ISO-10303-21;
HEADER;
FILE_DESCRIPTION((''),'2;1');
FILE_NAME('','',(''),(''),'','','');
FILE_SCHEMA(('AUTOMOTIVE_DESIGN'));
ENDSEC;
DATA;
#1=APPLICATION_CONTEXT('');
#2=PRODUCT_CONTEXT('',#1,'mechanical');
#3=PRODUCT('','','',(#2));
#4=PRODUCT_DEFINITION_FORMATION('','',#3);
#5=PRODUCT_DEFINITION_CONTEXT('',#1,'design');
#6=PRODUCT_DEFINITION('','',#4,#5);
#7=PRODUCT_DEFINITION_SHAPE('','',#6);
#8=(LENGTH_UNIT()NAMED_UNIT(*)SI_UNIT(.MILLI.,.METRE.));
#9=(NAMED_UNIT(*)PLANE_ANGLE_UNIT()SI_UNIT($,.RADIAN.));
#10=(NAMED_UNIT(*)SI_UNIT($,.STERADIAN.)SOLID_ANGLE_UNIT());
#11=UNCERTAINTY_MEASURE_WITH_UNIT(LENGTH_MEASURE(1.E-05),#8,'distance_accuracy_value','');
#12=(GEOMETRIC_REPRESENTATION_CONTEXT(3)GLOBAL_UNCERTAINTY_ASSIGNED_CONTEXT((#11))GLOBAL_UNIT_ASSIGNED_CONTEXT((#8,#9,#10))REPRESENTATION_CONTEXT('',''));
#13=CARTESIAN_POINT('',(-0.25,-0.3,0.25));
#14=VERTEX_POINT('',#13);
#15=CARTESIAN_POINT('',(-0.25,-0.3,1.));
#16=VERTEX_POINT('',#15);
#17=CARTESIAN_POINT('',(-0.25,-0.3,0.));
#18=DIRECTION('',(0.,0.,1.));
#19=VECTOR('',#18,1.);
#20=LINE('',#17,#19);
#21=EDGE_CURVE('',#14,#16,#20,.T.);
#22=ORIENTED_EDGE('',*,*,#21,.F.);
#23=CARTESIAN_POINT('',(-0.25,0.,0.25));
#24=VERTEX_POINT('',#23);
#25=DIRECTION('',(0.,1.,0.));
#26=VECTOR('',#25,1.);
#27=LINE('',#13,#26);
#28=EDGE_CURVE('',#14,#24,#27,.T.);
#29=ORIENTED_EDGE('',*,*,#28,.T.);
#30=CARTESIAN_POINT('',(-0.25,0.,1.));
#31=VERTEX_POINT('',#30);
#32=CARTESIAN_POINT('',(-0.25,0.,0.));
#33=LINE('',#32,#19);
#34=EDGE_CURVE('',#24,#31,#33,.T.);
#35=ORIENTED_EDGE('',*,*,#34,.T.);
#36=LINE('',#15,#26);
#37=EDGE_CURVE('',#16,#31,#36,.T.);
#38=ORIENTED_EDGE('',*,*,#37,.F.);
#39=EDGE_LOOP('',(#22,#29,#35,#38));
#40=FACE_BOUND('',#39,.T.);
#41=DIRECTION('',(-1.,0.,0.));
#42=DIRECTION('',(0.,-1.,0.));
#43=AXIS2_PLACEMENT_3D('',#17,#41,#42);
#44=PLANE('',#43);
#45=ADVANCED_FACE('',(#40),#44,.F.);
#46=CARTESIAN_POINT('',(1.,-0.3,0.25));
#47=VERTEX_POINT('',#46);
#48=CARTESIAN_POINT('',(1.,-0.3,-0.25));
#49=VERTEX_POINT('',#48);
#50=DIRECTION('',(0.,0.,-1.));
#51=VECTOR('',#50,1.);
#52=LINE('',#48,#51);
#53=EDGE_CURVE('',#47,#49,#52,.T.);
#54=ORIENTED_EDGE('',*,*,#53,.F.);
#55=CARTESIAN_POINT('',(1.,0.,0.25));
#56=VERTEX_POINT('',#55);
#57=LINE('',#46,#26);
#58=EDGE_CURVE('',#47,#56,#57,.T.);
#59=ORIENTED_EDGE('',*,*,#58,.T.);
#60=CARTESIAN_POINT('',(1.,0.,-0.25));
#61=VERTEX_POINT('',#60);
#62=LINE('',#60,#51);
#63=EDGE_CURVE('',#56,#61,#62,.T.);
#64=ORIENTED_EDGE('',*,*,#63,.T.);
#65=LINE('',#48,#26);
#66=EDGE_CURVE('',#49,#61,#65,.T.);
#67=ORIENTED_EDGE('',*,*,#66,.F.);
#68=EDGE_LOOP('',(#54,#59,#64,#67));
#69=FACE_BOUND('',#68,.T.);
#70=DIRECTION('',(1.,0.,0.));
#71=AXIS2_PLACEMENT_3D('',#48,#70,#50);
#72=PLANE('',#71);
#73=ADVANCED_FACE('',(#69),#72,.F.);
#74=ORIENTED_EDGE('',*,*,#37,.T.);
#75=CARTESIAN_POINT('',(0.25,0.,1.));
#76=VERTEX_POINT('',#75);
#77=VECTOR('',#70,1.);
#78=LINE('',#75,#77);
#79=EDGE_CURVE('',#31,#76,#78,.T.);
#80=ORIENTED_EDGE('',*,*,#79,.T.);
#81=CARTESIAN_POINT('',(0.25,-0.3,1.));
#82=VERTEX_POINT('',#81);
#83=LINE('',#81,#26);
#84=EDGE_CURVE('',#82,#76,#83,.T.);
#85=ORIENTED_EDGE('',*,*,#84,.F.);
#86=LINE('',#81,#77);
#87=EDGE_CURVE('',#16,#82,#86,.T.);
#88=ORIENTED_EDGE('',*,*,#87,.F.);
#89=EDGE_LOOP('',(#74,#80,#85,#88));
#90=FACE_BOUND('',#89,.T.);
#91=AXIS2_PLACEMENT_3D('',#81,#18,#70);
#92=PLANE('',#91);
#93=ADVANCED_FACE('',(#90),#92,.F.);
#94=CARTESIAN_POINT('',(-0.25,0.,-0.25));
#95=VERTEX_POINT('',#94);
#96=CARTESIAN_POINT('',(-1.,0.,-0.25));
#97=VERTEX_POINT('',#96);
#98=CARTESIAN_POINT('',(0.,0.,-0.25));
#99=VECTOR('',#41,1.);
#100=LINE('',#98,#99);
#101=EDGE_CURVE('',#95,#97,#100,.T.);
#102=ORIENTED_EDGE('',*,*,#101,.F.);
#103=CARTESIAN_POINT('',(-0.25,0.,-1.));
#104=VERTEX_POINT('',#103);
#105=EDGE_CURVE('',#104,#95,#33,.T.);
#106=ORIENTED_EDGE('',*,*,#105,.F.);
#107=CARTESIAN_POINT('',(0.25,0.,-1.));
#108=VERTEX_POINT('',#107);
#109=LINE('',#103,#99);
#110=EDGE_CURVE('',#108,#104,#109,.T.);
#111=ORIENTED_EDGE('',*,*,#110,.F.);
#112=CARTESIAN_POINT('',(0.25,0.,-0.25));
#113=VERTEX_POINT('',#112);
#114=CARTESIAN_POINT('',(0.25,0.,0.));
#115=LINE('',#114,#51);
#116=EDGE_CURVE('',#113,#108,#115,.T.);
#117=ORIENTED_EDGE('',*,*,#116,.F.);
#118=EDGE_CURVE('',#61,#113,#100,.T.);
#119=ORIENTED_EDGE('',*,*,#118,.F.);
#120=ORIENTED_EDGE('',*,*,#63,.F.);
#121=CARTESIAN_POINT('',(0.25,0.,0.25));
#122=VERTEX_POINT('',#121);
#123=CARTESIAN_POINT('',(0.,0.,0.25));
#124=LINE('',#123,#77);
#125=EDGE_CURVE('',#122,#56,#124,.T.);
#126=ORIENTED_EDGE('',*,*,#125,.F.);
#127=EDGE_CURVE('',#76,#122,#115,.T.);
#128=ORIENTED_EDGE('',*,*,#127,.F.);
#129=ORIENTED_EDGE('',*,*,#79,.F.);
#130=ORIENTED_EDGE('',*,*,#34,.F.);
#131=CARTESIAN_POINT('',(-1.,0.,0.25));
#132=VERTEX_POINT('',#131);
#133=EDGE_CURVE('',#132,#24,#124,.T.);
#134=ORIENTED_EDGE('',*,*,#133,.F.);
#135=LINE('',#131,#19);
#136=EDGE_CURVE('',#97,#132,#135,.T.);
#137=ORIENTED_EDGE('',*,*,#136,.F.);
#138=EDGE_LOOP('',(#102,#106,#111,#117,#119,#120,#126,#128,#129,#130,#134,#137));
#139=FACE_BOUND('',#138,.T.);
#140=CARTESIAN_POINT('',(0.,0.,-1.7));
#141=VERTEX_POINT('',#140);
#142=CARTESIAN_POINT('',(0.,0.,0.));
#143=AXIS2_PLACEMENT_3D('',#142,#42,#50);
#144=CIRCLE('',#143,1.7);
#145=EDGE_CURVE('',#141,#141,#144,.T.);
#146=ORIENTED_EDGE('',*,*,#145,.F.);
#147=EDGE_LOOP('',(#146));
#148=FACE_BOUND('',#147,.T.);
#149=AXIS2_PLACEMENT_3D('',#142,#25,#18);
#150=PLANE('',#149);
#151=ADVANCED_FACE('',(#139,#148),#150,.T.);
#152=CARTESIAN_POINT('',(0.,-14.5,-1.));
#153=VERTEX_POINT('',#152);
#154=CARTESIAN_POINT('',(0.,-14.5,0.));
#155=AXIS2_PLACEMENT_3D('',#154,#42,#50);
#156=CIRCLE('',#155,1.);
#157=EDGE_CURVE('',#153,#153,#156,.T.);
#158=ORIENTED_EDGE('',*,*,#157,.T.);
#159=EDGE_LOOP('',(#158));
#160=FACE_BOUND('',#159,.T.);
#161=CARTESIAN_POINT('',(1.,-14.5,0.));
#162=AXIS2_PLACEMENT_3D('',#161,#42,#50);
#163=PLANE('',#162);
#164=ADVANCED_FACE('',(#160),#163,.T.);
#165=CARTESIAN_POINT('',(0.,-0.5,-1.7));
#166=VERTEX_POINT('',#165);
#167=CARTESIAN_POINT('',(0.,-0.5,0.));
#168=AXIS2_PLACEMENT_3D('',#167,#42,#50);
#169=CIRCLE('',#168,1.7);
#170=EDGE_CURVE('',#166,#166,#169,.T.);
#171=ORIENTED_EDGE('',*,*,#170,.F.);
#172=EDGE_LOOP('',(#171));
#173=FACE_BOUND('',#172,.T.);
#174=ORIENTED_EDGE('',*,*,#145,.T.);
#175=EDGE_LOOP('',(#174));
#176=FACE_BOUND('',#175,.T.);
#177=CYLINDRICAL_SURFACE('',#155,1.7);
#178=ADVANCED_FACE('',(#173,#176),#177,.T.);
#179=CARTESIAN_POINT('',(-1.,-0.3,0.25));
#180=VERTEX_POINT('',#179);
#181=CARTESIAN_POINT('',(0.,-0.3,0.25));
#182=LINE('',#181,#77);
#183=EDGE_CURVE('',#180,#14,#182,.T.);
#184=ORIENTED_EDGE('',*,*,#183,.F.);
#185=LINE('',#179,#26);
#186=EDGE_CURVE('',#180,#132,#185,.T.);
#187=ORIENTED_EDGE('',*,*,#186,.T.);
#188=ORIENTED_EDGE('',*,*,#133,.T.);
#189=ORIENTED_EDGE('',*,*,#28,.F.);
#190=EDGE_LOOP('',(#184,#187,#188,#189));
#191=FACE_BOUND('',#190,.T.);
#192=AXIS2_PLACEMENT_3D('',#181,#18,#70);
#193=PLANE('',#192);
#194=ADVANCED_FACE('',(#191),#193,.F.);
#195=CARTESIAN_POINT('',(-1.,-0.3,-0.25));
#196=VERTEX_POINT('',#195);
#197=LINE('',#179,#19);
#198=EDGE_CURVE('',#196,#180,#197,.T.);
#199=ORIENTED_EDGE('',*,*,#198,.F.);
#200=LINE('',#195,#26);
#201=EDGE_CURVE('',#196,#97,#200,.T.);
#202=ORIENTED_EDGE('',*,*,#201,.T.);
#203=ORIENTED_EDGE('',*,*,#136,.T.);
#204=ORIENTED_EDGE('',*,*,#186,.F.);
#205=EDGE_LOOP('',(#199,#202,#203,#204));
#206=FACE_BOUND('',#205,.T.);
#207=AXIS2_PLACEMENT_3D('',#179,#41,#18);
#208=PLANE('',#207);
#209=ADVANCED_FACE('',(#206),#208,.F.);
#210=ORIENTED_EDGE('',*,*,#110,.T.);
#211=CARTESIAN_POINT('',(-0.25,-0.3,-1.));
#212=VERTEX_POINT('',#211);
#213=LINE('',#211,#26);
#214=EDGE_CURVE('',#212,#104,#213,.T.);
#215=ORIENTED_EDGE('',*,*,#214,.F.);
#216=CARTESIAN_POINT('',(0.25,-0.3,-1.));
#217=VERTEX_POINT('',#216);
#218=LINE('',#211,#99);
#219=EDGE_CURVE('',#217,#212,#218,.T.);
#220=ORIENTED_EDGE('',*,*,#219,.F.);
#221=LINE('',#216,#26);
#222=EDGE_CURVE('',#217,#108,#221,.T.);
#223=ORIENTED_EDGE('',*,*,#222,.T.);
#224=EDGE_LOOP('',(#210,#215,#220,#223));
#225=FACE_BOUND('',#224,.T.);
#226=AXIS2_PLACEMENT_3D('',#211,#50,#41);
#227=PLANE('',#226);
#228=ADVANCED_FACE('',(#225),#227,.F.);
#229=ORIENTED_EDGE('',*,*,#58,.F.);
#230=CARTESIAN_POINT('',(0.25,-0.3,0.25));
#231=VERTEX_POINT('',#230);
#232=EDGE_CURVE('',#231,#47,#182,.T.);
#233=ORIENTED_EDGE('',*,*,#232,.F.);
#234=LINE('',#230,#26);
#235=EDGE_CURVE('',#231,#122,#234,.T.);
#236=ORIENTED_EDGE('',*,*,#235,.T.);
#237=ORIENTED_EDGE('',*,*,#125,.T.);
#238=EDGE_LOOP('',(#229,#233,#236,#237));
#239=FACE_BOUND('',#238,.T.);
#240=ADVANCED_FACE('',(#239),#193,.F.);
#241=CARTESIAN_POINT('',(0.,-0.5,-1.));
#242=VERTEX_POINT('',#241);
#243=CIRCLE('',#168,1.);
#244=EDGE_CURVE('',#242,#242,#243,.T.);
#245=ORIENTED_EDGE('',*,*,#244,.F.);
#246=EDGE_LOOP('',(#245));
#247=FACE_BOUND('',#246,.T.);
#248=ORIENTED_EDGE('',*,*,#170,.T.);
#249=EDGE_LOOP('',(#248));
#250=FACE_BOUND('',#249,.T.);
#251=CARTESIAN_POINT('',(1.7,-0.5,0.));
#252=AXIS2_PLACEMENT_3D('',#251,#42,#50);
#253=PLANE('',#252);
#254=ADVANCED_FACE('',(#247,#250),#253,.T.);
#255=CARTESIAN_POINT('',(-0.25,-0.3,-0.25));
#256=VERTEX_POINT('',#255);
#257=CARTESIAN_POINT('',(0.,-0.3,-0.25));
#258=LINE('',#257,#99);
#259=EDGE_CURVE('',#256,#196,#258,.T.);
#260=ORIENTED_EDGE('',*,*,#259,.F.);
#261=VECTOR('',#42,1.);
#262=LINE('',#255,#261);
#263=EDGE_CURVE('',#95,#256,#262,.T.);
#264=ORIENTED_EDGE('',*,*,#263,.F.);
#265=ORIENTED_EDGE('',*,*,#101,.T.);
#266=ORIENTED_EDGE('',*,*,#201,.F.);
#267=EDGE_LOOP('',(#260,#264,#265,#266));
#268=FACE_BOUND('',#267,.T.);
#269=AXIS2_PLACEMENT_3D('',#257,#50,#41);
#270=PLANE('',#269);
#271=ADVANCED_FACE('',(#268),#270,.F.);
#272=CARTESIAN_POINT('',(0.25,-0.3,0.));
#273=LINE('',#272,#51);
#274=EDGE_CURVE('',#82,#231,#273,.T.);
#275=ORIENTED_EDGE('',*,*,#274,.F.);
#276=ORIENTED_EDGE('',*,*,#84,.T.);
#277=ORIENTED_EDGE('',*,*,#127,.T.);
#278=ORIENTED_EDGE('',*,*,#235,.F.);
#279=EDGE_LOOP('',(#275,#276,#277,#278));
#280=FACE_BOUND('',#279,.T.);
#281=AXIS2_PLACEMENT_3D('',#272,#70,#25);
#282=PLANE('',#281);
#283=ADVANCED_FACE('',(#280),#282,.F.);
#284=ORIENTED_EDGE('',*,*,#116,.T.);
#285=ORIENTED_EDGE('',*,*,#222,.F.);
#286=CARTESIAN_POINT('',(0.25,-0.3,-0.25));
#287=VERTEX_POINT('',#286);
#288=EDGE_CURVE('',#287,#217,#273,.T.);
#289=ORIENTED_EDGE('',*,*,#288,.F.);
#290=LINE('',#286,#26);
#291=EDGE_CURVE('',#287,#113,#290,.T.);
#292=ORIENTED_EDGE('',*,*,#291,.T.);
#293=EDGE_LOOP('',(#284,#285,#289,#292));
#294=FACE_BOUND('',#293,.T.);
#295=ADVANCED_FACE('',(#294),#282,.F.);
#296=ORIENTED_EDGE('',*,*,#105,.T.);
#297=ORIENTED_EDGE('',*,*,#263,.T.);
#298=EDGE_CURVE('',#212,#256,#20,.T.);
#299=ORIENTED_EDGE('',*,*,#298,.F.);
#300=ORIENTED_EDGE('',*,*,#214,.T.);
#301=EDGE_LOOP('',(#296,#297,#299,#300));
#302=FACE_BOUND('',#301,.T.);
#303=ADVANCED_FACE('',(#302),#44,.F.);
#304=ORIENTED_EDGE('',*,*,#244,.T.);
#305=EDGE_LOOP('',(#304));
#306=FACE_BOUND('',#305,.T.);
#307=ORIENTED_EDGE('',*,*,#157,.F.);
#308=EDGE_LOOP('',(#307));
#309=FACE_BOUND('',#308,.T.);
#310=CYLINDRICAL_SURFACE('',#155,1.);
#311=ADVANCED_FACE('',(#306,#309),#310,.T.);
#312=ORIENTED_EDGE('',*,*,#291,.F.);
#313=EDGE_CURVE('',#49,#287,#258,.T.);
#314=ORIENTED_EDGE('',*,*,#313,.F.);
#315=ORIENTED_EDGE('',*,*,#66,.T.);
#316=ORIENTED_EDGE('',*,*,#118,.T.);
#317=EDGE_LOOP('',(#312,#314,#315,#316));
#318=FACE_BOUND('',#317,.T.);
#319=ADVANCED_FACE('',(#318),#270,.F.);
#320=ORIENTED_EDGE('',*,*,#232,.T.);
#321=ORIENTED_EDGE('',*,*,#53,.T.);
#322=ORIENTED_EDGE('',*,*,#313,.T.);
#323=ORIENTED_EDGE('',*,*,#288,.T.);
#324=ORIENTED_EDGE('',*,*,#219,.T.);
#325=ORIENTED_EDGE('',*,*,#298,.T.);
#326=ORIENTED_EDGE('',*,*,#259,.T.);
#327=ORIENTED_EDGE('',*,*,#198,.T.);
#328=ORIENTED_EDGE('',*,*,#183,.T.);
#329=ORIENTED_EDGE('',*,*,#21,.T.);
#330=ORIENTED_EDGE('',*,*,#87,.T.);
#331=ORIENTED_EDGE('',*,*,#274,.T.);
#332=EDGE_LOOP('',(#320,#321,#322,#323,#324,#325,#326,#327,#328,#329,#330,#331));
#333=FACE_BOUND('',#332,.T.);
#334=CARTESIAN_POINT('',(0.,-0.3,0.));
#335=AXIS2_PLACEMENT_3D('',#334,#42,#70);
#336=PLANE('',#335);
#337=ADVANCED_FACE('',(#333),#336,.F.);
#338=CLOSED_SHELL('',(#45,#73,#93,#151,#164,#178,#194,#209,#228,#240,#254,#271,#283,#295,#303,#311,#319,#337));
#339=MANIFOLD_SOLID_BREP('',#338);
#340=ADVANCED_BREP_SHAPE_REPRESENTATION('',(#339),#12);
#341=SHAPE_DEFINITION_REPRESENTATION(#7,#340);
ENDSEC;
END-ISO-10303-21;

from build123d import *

# Parameters (mm, degrees)
SKETCH_2_W               = 0.5
SKETCH_2_H               = 1
CUT_EXTRUDE_1_DEPTH      = 0.3
PATTERN_CIRCULAR_1_COUNT = 4


with BuildPart() as part:
    # ｽｹｯﾁ1 → 回転1 (revolve)
    with BuildSketch(Plane.XY, mode=Mode.PRIVATE) as revolve_1_sk:
        Polygon((0, 0), (1.7, 0), (1.7, -0.5), (1, -0.5), (1, -14.5), (0, -14.5), align=None)
    revolve(revolve_1_sk.sketch.rotate(Axis((0, -14.5, 0), (0, 1, 0)), 90), axis=Axis((0, -14.5, 0), (0, 1, 0)))

    # ｽｹｯﾁ2 → ｶｯﾄ - 押し出し1 (cut)
    with BuildSketch(Plane(origin=(0, 0, 0), x_dir=(1, 0, 0), z_dir=(0, 1, 0))):
        with Locations((0, 0.5)):
            Rectangle(SKETCH_2_W, SKETCH_2_H)
    cut_extrude_1 = extrude(amount=-CUT_EXTRUDE_1_DEPTH, mode=Mode.SUBTRACT)

    # 円形ﾊﾟﾀｰﾝ1: ｶｯﾄ - 押し出し1 ×4 about axis
    pattern_circular_1_axis = Axis((0, 0, 0), (0, 1, 0))
    for i in range(1, PATTERN_CIRCULAR_1_COUNT):
        add(cut_extrude_1.rotate(pattern_circular_1_axis, i * 360 / PATTERN_CIRCULAR_1_COUNT), mode=Mode.SUBTRACT)


solid = part.part
